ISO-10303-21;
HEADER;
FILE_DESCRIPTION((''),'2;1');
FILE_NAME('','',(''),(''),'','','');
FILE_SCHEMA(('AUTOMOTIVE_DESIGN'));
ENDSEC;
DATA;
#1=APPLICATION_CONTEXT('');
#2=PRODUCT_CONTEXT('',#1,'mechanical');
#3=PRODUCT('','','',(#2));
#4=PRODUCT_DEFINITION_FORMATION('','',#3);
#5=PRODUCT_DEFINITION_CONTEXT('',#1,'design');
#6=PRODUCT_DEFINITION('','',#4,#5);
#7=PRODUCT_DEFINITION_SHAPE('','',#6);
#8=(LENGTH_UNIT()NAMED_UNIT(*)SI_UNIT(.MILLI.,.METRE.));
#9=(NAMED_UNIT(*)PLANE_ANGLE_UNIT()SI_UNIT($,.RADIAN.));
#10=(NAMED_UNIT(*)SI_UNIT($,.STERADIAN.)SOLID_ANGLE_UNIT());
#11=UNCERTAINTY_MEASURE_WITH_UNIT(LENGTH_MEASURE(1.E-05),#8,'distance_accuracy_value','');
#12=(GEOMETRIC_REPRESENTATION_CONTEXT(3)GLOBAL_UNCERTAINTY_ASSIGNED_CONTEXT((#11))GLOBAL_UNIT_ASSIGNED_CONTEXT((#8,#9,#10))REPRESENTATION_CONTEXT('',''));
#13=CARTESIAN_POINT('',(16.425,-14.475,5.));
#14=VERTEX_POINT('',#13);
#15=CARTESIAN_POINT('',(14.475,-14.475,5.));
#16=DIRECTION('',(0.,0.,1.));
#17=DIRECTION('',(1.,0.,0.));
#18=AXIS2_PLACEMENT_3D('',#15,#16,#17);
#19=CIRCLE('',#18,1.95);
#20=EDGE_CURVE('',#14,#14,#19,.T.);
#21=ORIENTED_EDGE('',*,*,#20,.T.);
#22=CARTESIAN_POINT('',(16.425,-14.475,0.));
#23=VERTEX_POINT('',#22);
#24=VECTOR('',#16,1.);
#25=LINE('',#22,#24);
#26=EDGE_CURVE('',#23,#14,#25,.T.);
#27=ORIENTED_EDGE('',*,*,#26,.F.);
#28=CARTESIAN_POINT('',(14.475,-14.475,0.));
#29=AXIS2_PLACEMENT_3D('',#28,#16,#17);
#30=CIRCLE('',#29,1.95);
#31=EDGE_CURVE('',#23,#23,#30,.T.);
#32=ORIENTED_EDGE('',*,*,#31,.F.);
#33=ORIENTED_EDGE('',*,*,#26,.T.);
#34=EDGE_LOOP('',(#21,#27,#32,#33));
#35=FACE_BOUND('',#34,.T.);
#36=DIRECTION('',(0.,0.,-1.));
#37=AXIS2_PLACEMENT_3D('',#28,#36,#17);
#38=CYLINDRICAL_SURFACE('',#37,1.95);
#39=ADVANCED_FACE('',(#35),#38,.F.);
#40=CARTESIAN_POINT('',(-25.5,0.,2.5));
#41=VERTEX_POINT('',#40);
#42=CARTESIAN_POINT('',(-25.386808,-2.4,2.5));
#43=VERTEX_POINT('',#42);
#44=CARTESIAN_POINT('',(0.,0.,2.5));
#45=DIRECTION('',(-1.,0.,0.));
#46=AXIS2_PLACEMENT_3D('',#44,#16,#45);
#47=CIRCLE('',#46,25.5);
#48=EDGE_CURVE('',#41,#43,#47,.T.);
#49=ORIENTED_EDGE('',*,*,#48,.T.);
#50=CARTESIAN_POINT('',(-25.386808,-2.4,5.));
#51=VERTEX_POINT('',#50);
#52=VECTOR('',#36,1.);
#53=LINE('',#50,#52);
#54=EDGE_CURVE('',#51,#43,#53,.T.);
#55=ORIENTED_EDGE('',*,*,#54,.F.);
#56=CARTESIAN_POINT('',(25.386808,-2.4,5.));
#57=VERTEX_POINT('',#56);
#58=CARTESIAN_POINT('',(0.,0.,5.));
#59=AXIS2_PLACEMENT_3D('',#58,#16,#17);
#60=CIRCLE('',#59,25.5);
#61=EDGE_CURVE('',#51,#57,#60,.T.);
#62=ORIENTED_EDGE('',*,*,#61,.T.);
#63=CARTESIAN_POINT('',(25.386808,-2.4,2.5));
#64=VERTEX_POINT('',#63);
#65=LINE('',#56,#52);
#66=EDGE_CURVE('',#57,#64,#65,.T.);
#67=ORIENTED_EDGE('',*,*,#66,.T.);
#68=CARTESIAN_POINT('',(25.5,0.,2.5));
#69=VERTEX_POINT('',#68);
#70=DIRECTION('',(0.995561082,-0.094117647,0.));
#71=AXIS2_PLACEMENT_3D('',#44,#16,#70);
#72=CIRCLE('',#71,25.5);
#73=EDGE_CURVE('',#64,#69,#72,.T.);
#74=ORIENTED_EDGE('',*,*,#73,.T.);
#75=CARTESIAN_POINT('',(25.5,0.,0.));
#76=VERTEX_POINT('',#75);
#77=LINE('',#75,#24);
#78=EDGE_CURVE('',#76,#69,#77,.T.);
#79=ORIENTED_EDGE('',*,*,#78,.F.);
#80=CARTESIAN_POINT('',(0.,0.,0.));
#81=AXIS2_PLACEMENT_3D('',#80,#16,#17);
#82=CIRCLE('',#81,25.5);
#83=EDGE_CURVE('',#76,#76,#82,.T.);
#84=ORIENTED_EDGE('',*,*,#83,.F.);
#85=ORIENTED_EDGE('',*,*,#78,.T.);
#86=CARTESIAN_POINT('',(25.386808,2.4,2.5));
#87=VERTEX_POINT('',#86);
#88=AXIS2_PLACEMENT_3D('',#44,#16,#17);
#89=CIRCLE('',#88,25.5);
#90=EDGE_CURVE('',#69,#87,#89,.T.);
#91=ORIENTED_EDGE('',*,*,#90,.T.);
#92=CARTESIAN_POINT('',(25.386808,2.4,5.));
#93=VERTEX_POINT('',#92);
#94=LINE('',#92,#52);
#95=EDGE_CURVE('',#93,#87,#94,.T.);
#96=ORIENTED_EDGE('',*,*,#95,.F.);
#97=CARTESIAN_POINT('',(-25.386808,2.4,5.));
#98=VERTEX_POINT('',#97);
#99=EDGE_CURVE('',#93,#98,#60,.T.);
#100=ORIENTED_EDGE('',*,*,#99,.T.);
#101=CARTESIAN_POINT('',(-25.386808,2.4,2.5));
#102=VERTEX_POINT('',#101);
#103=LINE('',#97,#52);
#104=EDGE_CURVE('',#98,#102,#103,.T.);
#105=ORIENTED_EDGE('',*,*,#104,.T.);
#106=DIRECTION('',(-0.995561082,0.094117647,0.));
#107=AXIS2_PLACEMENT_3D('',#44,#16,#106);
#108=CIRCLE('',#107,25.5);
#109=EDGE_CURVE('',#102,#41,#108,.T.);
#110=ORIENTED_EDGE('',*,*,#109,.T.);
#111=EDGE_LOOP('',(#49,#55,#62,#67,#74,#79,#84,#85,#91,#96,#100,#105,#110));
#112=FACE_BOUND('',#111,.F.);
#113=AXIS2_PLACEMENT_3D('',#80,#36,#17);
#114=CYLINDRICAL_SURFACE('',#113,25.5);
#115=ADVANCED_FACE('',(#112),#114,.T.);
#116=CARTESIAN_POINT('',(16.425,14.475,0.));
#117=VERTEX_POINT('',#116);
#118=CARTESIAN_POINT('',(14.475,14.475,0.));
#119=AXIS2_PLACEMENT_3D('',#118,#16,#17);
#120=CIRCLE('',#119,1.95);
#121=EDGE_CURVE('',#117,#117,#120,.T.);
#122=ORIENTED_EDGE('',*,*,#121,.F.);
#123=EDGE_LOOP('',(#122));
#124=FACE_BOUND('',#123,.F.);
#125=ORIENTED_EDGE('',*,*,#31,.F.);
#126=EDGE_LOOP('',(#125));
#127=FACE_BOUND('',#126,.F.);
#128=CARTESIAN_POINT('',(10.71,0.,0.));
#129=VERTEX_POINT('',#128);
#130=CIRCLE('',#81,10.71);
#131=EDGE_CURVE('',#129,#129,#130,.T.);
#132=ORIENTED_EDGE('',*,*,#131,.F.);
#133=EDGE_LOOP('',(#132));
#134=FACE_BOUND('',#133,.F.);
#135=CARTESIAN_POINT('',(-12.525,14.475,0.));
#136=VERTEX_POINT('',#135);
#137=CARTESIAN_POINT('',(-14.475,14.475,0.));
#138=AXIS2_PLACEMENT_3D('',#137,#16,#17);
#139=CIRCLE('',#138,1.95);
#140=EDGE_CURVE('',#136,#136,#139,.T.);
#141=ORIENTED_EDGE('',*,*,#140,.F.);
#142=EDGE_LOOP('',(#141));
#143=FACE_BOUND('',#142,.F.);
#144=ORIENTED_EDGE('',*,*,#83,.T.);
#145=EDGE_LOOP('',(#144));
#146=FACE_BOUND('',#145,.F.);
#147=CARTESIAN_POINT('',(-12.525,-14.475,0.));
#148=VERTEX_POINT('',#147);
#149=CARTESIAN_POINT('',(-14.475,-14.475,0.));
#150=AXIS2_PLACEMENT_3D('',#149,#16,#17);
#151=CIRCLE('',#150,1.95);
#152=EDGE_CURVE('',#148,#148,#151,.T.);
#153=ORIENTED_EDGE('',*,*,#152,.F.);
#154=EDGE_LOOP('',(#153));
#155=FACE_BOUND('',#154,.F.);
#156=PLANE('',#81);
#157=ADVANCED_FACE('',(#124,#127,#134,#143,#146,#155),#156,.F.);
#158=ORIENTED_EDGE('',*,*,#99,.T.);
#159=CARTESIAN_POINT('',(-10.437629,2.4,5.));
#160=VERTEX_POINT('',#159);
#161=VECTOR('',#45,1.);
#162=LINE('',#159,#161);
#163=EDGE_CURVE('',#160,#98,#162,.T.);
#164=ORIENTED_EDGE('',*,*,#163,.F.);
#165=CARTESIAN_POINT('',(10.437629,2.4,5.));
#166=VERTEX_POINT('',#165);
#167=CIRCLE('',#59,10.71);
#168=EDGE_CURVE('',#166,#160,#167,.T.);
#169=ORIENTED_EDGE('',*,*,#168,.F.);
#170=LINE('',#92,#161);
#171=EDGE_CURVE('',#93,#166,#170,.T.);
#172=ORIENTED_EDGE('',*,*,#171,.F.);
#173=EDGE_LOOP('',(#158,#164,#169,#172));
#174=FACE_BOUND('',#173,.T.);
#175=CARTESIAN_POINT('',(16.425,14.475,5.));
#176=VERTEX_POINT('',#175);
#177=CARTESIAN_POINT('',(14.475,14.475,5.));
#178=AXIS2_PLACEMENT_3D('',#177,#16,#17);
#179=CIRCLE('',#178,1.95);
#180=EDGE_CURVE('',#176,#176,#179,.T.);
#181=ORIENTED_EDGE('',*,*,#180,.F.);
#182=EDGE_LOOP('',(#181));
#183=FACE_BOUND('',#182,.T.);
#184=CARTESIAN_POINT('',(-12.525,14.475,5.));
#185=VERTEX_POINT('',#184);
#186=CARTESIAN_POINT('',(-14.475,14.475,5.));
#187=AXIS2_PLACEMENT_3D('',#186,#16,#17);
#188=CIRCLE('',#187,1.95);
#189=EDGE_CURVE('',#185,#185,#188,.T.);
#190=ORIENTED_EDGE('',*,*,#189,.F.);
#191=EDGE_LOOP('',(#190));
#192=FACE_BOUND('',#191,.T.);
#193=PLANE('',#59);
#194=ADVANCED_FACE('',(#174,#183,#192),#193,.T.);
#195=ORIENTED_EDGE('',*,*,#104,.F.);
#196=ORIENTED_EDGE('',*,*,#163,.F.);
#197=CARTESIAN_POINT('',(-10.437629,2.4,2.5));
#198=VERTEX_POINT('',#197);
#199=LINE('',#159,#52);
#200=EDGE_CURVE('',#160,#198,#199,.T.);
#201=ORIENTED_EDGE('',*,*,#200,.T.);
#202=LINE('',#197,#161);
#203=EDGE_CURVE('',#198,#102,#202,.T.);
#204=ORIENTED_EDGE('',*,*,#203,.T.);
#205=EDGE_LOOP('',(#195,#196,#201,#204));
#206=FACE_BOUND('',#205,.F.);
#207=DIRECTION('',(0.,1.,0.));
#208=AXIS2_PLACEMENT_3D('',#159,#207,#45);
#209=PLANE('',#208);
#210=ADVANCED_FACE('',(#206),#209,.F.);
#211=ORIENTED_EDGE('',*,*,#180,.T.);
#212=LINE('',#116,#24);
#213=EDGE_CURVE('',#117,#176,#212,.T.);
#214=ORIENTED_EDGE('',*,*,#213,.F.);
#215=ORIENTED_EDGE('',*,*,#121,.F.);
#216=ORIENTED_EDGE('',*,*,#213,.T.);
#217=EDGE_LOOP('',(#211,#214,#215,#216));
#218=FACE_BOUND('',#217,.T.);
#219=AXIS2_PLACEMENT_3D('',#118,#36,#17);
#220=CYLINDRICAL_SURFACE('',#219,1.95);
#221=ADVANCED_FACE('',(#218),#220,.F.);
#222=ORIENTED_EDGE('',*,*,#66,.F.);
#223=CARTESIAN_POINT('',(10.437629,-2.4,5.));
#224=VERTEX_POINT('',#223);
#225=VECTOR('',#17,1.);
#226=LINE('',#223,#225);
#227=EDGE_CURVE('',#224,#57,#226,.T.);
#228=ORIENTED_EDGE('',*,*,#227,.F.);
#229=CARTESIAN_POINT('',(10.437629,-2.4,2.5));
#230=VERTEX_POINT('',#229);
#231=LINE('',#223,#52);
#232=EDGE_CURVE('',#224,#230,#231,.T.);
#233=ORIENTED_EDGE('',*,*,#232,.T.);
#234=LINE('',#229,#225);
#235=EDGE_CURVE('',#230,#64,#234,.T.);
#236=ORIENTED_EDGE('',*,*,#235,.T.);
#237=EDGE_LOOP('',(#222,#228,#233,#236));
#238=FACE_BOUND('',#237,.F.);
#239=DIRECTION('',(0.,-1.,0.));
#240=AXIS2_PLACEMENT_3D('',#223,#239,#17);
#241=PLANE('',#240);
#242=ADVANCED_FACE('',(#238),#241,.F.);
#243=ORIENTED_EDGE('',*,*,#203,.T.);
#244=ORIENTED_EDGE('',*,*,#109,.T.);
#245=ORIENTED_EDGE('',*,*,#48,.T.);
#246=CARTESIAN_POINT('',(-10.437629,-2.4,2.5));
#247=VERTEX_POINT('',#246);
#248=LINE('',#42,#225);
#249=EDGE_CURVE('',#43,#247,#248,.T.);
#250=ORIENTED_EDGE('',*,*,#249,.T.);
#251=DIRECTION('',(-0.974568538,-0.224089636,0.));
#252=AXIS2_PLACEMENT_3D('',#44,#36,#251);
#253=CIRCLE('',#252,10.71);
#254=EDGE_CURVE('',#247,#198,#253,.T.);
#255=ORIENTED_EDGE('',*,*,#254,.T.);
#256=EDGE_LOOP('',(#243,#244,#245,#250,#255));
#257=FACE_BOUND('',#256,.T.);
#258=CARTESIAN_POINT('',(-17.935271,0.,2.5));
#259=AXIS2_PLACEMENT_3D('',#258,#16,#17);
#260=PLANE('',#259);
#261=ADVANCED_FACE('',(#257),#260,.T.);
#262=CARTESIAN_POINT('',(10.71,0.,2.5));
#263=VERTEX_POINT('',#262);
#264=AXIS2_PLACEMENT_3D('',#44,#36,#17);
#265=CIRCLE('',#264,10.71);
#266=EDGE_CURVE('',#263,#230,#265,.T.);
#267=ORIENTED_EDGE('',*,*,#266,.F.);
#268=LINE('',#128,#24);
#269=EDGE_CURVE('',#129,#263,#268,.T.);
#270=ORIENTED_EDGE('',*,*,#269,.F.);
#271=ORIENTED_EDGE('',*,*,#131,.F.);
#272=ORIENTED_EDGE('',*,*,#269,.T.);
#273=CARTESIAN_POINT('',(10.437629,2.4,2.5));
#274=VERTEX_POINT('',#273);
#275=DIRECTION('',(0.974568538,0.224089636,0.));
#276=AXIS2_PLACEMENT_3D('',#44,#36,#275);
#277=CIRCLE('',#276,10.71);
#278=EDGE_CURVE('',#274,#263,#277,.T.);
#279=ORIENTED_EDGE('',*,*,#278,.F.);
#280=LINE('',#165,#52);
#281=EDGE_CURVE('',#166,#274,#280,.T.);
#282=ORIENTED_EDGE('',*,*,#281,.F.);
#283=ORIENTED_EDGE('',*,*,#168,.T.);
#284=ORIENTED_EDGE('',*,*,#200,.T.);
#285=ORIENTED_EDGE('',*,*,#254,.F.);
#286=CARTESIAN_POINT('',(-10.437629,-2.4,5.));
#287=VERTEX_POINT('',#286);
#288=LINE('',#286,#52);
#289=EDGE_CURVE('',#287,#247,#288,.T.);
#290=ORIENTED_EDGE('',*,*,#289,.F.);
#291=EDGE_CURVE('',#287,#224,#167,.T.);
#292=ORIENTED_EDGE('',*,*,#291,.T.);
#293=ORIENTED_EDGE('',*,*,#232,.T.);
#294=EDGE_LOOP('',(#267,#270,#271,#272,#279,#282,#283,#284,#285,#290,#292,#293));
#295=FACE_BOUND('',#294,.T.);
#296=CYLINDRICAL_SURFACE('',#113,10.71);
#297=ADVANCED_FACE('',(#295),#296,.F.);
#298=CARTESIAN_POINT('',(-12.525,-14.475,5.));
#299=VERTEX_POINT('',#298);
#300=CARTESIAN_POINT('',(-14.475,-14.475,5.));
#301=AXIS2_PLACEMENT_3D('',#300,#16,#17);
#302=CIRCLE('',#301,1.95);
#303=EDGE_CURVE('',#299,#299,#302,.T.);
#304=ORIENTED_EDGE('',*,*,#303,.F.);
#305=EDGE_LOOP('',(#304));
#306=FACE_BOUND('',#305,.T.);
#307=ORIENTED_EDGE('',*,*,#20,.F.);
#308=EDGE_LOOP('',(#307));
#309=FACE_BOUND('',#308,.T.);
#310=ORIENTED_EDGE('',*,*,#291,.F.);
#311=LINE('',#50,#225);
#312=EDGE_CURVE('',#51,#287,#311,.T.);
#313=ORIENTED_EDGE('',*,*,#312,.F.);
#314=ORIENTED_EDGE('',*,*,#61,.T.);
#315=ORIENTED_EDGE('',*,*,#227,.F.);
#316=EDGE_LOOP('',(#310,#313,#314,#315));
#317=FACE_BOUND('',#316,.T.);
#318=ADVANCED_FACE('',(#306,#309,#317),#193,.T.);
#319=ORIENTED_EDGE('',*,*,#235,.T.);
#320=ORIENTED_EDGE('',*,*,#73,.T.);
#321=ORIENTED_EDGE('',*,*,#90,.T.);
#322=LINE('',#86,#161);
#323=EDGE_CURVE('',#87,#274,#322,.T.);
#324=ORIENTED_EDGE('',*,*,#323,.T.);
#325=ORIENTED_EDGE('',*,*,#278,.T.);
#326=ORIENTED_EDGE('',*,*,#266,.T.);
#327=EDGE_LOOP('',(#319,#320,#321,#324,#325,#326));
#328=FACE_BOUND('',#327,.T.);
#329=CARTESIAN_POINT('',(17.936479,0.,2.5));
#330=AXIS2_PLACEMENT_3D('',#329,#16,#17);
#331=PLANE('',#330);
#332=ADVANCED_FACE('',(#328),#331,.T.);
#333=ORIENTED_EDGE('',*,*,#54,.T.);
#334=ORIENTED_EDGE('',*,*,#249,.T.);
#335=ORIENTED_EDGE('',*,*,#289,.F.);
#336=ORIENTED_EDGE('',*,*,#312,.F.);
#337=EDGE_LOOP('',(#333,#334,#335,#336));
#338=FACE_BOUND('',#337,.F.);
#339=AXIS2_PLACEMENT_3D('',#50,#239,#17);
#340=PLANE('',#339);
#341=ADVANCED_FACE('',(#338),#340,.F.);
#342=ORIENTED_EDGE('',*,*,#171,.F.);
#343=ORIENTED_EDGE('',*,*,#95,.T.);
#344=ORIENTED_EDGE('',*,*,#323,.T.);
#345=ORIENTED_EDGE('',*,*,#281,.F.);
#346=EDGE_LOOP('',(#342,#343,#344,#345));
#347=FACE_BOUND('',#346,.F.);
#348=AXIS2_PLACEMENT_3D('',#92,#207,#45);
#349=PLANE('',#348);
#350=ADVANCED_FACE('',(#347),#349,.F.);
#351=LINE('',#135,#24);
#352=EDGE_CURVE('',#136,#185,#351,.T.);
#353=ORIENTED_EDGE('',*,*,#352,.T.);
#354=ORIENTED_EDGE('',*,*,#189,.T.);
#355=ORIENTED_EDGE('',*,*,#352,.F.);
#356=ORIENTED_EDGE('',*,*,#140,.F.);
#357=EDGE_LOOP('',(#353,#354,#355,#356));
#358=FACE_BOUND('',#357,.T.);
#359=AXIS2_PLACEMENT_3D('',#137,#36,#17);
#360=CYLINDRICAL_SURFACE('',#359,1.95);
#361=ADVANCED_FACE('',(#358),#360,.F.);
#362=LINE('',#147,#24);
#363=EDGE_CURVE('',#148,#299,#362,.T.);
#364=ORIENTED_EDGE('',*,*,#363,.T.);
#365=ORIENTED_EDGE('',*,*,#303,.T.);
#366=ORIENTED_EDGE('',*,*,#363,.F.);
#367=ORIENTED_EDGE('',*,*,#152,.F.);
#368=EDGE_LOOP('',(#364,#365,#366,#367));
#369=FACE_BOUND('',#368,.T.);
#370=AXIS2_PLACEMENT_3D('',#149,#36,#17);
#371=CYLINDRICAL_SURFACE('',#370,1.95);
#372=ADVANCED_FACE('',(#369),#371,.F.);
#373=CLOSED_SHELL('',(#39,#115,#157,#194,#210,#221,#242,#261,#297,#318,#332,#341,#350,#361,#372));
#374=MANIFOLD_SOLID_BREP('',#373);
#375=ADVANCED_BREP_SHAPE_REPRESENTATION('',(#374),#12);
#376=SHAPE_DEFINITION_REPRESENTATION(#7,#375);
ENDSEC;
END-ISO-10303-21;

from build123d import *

# Parameters (mm, degrees)
F0_R     = 25.5
F0_R_2   = 1.95
F0_R_3   = 10.71
F1_DEPTH = 5
F3_DEPTH = 2.5


with BuildPart() as f1:
    # F0 (on Top) → F1 (new body)
    with BuildSketch(Plane.XY):
        Circle(F0_R)
        with Locations((-14.475, -14.475)):
            Circle(F0_R_2, mode=Mode.SUBTRACT)
        with Locations((14.475, -14.475)):
            Circle(F0_R_2, mode=Mode.SUBTRACT)
        with Locations((-14.475, 14.475)):
            Circle(F0_R_2, mode=Mode.SUBTRACT)
        Circle(F0_R_3, mode=Mode.SUBTRACT)
        with Locations((14.475, 14.475)):
            Circle(F0_R_2, mode=Mode.SUBTRACT)
    extrude(amount=F1_DEPTH)

    # F2 (on face) → F3 (cut)
    with BuildSketch(Plane.XY.offset(5)):
        with BuildLine():
            Line((-10.4376290411, 2.4), (-25.3868075976, 2.4))
            ThreePointArc((-25.3868075976, 2.4), (-25.4716861803, 1.2013338961), (-25.5, 0))
            ThreePointArc((-25.5, 0), (-25.4716861803, -1.2013338961), (-25.3868075976, -2.4))
            Line((-25.3868075976, -2.4), (-10.4376290411, -2.4))
            ThreePointArc((-10.4376290411, -2.4), (-10.71, 0), (-10.4376290411, 2.4))
        make_face()
        with BuildLine():
            ThreePointArc((25.5, 0), (25.4716861803, 1.2013338961), (25.3868075976, 2.4))
            Line((25.3868075976, 2.4), (10.4376290411, 2.4))
            ThreePointArc((10.4376290411, 2.4), (10.6416894108, 1.2077029787), (10.71, 0))
            ThreePointArc((10.71, 0), (10.6416894108, -1.2077029787), (10.4376290411, -2.4))
            Line((10.4376290411, -2.4), (25.3868075976, -2.4))
            ThreePointArc((25.3868075976, -2.4), (25.4716861803, -1.2013338961), (25.5, 0))
        make_face()
    extrude(amount=-F3_DEPTH, mode=Mode.SUBTRACT)


solid = f1.part
